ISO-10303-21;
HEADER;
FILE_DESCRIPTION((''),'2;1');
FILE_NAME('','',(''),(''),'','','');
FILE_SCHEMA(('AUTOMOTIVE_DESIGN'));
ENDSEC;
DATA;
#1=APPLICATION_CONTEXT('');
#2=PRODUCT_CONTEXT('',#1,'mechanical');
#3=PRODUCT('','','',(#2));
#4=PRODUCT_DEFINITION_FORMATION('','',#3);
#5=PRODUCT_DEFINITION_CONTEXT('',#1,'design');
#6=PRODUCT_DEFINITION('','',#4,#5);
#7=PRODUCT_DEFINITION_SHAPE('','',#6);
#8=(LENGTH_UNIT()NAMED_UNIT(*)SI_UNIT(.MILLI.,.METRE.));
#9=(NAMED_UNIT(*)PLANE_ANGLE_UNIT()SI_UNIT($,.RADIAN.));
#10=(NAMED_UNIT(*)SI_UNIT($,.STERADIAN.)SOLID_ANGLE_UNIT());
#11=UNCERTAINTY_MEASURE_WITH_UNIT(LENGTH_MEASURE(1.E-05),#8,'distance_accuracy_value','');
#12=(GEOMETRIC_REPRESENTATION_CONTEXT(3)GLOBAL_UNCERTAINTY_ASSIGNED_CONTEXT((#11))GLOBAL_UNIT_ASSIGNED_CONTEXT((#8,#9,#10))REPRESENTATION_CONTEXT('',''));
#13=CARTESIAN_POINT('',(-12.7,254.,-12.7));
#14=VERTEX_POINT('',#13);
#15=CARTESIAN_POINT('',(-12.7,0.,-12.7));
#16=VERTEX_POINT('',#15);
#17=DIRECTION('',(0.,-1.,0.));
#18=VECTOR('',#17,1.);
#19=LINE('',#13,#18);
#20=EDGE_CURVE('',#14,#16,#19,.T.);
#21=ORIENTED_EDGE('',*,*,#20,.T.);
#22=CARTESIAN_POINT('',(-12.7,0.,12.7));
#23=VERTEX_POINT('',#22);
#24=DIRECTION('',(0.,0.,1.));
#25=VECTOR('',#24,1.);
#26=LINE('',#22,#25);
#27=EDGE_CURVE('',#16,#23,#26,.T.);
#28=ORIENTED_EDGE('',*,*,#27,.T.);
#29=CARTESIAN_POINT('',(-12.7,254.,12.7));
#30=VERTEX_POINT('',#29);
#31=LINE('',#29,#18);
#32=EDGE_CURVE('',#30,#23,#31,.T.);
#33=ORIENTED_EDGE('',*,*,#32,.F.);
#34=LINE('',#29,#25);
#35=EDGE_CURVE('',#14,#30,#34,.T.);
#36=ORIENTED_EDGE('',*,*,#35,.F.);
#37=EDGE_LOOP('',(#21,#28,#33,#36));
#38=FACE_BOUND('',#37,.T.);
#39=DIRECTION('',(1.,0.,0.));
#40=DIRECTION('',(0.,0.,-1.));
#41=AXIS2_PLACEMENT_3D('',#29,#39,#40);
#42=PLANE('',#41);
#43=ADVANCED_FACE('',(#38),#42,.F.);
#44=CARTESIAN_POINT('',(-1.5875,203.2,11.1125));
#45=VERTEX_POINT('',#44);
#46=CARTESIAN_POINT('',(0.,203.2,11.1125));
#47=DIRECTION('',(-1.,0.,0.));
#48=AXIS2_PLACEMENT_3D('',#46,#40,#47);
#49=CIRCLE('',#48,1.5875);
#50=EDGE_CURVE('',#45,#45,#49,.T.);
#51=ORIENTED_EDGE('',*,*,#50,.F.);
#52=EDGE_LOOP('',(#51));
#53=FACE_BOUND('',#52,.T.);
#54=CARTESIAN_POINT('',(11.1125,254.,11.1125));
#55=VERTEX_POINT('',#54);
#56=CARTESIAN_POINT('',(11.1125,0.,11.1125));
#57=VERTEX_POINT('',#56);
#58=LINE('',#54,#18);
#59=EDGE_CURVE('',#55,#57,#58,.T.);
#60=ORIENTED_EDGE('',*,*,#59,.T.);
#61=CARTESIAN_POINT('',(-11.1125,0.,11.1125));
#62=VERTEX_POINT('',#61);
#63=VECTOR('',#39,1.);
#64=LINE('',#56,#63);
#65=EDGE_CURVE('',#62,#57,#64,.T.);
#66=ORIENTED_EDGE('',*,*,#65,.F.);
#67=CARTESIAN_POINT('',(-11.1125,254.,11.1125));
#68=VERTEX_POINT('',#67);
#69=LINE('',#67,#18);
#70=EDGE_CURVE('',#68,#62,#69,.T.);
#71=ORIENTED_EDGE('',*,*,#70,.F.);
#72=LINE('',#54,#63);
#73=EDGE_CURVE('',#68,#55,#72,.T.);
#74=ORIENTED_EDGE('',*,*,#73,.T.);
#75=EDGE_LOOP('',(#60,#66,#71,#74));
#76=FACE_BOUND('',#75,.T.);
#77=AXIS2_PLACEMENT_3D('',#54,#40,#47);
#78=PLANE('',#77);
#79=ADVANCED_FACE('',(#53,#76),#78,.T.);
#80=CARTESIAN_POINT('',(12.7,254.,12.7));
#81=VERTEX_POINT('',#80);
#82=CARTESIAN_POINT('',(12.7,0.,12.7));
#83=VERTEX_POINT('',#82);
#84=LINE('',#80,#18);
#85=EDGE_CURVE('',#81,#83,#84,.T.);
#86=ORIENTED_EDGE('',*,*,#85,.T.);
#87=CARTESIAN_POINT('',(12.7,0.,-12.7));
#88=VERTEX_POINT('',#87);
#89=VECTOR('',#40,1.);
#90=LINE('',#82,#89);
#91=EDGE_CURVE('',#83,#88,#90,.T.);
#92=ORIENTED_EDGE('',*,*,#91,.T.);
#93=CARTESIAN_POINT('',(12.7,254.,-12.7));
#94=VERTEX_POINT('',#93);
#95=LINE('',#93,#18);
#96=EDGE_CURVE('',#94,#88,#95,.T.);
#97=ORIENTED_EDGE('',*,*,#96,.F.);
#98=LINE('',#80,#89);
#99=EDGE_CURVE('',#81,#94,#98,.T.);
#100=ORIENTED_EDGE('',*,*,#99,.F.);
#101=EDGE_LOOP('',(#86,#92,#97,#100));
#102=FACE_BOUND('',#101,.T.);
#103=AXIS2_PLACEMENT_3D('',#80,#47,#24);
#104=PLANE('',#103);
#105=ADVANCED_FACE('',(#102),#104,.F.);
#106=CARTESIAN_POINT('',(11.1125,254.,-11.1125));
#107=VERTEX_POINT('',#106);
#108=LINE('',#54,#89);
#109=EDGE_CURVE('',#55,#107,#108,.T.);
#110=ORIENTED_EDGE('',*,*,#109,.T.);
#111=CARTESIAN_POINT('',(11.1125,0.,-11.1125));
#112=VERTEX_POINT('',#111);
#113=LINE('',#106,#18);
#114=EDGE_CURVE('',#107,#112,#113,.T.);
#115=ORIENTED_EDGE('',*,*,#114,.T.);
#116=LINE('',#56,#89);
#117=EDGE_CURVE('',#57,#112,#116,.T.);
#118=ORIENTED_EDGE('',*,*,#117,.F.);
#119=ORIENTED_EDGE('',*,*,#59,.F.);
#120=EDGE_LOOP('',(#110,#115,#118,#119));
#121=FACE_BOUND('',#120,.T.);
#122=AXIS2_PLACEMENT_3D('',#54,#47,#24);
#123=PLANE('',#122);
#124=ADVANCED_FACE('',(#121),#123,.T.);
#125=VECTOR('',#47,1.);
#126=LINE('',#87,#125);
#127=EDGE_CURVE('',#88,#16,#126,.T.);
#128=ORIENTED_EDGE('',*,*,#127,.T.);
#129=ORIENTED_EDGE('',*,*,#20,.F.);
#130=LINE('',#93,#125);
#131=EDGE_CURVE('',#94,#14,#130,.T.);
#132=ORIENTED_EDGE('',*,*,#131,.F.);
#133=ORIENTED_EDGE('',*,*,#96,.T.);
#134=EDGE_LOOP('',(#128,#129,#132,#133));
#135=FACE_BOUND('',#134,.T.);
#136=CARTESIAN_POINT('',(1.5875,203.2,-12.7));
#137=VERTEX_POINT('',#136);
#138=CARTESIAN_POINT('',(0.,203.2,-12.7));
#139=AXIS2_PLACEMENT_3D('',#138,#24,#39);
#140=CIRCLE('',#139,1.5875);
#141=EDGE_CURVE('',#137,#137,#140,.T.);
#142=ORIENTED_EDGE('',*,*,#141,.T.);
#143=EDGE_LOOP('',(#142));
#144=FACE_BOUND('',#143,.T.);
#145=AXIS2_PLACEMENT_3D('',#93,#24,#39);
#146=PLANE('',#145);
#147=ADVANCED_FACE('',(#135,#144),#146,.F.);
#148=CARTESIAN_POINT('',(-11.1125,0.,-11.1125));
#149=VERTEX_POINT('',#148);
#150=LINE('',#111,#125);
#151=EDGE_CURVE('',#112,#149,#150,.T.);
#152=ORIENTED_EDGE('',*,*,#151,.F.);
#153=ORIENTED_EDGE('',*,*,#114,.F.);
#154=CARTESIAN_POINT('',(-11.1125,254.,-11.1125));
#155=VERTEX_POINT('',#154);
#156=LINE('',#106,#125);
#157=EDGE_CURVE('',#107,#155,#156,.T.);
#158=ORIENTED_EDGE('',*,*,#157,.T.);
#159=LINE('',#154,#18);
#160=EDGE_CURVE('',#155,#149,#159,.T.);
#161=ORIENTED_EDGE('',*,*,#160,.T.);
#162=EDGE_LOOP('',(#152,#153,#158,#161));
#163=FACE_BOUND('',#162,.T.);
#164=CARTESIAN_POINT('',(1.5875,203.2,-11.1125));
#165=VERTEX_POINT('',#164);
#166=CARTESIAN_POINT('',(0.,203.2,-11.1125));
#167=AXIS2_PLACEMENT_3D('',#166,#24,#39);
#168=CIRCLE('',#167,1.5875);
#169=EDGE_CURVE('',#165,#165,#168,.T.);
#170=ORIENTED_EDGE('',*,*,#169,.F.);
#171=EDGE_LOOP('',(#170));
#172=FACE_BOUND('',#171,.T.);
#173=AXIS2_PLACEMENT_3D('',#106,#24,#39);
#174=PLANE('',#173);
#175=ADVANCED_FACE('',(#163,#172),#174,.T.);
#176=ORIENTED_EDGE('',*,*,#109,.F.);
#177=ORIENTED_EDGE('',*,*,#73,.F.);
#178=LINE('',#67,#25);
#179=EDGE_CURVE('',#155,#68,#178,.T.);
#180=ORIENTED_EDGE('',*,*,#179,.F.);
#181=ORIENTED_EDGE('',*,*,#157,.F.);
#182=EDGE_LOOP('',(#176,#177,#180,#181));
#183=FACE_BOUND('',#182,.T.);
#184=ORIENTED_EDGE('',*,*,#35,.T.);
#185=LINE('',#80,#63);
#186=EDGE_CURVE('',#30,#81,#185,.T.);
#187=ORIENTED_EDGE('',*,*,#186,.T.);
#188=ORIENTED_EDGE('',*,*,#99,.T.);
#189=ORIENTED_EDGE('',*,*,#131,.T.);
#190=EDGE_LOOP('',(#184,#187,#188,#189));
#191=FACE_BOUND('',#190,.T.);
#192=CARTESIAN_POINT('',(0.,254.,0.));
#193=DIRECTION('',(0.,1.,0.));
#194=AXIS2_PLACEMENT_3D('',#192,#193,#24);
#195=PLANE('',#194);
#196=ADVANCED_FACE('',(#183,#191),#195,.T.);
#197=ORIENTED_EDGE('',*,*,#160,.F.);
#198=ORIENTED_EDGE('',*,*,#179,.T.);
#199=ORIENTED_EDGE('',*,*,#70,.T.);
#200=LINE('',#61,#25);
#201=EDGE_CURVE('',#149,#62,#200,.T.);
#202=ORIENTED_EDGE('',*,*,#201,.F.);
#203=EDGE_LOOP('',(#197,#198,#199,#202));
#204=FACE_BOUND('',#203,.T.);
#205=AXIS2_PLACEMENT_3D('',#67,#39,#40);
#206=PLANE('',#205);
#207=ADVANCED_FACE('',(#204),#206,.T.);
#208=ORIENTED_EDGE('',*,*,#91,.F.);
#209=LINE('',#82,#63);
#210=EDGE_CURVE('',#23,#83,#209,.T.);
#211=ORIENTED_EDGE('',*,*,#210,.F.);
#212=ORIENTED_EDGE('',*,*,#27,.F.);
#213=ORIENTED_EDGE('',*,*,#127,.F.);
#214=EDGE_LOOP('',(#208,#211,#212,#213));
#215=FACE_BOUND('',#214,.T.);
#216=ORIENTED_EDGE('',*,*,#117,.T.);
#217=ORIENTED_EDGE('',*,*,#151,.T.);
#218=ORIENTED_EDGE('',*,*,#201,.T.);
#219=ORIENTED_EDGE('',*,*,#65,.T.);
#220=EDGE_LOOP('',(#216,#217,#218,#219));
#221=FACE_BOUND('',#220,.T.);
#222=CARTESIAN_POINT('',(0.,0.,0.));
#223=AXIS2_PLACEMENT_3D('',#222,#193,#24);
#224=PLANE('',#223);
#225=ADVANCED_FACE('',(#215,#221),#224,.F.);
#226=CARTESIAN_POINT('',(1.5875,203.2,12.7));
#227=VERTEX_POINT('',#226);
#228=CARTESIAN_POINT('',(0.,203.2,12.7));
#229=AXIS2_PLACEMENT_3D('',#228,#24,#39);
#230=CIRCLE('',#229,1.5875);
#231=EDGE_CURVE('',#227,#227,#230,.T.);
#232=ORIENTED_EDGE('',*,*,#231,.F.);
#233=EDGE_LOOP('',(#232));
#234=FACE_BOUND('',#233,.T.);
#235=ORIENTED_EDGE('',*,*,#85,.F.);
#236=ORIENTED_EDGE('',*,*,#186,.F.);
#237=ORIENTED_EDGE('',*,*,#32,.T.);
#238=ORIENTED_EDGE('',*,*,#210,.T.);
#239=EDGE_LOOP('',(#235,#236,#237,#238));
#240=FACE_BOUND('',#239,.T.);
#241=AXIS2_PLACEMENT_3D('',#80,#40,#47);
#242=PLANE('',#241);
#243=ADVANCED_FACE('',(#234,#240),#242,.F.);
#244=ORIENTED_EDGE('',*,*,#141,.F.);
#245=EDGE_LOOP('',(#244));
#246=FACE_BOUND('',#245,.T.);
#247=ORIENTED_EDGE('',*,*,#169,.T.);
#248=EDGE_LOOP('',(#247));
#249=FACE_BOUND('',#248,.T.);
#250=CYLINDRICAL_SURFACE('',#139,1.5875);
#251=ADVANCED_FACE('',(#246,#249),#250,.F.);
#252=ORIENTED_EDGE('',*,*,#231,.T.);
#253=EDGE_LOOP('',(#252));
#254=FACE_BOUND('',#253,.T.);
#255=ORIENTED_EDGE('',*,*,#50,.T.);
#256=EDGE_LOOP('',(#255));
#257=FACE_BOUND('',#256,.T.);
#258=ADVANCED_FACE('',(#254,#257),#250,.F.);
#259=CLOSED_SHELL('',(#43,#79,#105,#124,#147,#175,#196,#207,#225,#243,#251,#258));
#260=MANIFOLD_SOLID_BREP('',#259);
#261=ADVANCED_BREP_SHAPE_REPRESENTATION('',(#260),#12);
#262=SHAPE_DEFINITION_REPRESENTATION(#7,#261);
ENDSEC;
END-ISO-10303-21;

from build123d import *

# Parameters (mm, degrees)
SKETCH3_W           = 25.4
SKETCH3_H           = 25.4
SKETCH3_W_2         = 22.225
SKETCH3_H_2         = 22.225
BOSS_EXTRUDE1_DEPTH = 254
SKETCH4_R           = 1.5875
CUT_EXTRUDE1_DEPTH  = 26.4


with BuildPart() as part:
    # Sketch3 → Boss-Extrude1 (new body)
    with BuildSketch(Plane(origin=(0, 0, 0), x_dir=(1, 0, 0), z_dir=(0, 1, 0))):
        Rectangle(SKETCH3_W, SKETCH3_H)
        Rectangle(SKETCH3_W_2, SKETCH3_H_2, mode=Mode.SUBTRACT)
    extrude(amount=BOSS_EXTRUDE1_DEPTH)

    # Sketch4 → Cut-Extrude1 (cut, through all)
    with BuildSketch(Plane.XY.offset(12.7)):
        with Locations((0, 203.2)):
            Circle(SKETCH4_R)
    extrude(amount=-CUT_EXTRUDE1_DEPTH, mode=Mode.SUBTRACT)


solid = part.part
